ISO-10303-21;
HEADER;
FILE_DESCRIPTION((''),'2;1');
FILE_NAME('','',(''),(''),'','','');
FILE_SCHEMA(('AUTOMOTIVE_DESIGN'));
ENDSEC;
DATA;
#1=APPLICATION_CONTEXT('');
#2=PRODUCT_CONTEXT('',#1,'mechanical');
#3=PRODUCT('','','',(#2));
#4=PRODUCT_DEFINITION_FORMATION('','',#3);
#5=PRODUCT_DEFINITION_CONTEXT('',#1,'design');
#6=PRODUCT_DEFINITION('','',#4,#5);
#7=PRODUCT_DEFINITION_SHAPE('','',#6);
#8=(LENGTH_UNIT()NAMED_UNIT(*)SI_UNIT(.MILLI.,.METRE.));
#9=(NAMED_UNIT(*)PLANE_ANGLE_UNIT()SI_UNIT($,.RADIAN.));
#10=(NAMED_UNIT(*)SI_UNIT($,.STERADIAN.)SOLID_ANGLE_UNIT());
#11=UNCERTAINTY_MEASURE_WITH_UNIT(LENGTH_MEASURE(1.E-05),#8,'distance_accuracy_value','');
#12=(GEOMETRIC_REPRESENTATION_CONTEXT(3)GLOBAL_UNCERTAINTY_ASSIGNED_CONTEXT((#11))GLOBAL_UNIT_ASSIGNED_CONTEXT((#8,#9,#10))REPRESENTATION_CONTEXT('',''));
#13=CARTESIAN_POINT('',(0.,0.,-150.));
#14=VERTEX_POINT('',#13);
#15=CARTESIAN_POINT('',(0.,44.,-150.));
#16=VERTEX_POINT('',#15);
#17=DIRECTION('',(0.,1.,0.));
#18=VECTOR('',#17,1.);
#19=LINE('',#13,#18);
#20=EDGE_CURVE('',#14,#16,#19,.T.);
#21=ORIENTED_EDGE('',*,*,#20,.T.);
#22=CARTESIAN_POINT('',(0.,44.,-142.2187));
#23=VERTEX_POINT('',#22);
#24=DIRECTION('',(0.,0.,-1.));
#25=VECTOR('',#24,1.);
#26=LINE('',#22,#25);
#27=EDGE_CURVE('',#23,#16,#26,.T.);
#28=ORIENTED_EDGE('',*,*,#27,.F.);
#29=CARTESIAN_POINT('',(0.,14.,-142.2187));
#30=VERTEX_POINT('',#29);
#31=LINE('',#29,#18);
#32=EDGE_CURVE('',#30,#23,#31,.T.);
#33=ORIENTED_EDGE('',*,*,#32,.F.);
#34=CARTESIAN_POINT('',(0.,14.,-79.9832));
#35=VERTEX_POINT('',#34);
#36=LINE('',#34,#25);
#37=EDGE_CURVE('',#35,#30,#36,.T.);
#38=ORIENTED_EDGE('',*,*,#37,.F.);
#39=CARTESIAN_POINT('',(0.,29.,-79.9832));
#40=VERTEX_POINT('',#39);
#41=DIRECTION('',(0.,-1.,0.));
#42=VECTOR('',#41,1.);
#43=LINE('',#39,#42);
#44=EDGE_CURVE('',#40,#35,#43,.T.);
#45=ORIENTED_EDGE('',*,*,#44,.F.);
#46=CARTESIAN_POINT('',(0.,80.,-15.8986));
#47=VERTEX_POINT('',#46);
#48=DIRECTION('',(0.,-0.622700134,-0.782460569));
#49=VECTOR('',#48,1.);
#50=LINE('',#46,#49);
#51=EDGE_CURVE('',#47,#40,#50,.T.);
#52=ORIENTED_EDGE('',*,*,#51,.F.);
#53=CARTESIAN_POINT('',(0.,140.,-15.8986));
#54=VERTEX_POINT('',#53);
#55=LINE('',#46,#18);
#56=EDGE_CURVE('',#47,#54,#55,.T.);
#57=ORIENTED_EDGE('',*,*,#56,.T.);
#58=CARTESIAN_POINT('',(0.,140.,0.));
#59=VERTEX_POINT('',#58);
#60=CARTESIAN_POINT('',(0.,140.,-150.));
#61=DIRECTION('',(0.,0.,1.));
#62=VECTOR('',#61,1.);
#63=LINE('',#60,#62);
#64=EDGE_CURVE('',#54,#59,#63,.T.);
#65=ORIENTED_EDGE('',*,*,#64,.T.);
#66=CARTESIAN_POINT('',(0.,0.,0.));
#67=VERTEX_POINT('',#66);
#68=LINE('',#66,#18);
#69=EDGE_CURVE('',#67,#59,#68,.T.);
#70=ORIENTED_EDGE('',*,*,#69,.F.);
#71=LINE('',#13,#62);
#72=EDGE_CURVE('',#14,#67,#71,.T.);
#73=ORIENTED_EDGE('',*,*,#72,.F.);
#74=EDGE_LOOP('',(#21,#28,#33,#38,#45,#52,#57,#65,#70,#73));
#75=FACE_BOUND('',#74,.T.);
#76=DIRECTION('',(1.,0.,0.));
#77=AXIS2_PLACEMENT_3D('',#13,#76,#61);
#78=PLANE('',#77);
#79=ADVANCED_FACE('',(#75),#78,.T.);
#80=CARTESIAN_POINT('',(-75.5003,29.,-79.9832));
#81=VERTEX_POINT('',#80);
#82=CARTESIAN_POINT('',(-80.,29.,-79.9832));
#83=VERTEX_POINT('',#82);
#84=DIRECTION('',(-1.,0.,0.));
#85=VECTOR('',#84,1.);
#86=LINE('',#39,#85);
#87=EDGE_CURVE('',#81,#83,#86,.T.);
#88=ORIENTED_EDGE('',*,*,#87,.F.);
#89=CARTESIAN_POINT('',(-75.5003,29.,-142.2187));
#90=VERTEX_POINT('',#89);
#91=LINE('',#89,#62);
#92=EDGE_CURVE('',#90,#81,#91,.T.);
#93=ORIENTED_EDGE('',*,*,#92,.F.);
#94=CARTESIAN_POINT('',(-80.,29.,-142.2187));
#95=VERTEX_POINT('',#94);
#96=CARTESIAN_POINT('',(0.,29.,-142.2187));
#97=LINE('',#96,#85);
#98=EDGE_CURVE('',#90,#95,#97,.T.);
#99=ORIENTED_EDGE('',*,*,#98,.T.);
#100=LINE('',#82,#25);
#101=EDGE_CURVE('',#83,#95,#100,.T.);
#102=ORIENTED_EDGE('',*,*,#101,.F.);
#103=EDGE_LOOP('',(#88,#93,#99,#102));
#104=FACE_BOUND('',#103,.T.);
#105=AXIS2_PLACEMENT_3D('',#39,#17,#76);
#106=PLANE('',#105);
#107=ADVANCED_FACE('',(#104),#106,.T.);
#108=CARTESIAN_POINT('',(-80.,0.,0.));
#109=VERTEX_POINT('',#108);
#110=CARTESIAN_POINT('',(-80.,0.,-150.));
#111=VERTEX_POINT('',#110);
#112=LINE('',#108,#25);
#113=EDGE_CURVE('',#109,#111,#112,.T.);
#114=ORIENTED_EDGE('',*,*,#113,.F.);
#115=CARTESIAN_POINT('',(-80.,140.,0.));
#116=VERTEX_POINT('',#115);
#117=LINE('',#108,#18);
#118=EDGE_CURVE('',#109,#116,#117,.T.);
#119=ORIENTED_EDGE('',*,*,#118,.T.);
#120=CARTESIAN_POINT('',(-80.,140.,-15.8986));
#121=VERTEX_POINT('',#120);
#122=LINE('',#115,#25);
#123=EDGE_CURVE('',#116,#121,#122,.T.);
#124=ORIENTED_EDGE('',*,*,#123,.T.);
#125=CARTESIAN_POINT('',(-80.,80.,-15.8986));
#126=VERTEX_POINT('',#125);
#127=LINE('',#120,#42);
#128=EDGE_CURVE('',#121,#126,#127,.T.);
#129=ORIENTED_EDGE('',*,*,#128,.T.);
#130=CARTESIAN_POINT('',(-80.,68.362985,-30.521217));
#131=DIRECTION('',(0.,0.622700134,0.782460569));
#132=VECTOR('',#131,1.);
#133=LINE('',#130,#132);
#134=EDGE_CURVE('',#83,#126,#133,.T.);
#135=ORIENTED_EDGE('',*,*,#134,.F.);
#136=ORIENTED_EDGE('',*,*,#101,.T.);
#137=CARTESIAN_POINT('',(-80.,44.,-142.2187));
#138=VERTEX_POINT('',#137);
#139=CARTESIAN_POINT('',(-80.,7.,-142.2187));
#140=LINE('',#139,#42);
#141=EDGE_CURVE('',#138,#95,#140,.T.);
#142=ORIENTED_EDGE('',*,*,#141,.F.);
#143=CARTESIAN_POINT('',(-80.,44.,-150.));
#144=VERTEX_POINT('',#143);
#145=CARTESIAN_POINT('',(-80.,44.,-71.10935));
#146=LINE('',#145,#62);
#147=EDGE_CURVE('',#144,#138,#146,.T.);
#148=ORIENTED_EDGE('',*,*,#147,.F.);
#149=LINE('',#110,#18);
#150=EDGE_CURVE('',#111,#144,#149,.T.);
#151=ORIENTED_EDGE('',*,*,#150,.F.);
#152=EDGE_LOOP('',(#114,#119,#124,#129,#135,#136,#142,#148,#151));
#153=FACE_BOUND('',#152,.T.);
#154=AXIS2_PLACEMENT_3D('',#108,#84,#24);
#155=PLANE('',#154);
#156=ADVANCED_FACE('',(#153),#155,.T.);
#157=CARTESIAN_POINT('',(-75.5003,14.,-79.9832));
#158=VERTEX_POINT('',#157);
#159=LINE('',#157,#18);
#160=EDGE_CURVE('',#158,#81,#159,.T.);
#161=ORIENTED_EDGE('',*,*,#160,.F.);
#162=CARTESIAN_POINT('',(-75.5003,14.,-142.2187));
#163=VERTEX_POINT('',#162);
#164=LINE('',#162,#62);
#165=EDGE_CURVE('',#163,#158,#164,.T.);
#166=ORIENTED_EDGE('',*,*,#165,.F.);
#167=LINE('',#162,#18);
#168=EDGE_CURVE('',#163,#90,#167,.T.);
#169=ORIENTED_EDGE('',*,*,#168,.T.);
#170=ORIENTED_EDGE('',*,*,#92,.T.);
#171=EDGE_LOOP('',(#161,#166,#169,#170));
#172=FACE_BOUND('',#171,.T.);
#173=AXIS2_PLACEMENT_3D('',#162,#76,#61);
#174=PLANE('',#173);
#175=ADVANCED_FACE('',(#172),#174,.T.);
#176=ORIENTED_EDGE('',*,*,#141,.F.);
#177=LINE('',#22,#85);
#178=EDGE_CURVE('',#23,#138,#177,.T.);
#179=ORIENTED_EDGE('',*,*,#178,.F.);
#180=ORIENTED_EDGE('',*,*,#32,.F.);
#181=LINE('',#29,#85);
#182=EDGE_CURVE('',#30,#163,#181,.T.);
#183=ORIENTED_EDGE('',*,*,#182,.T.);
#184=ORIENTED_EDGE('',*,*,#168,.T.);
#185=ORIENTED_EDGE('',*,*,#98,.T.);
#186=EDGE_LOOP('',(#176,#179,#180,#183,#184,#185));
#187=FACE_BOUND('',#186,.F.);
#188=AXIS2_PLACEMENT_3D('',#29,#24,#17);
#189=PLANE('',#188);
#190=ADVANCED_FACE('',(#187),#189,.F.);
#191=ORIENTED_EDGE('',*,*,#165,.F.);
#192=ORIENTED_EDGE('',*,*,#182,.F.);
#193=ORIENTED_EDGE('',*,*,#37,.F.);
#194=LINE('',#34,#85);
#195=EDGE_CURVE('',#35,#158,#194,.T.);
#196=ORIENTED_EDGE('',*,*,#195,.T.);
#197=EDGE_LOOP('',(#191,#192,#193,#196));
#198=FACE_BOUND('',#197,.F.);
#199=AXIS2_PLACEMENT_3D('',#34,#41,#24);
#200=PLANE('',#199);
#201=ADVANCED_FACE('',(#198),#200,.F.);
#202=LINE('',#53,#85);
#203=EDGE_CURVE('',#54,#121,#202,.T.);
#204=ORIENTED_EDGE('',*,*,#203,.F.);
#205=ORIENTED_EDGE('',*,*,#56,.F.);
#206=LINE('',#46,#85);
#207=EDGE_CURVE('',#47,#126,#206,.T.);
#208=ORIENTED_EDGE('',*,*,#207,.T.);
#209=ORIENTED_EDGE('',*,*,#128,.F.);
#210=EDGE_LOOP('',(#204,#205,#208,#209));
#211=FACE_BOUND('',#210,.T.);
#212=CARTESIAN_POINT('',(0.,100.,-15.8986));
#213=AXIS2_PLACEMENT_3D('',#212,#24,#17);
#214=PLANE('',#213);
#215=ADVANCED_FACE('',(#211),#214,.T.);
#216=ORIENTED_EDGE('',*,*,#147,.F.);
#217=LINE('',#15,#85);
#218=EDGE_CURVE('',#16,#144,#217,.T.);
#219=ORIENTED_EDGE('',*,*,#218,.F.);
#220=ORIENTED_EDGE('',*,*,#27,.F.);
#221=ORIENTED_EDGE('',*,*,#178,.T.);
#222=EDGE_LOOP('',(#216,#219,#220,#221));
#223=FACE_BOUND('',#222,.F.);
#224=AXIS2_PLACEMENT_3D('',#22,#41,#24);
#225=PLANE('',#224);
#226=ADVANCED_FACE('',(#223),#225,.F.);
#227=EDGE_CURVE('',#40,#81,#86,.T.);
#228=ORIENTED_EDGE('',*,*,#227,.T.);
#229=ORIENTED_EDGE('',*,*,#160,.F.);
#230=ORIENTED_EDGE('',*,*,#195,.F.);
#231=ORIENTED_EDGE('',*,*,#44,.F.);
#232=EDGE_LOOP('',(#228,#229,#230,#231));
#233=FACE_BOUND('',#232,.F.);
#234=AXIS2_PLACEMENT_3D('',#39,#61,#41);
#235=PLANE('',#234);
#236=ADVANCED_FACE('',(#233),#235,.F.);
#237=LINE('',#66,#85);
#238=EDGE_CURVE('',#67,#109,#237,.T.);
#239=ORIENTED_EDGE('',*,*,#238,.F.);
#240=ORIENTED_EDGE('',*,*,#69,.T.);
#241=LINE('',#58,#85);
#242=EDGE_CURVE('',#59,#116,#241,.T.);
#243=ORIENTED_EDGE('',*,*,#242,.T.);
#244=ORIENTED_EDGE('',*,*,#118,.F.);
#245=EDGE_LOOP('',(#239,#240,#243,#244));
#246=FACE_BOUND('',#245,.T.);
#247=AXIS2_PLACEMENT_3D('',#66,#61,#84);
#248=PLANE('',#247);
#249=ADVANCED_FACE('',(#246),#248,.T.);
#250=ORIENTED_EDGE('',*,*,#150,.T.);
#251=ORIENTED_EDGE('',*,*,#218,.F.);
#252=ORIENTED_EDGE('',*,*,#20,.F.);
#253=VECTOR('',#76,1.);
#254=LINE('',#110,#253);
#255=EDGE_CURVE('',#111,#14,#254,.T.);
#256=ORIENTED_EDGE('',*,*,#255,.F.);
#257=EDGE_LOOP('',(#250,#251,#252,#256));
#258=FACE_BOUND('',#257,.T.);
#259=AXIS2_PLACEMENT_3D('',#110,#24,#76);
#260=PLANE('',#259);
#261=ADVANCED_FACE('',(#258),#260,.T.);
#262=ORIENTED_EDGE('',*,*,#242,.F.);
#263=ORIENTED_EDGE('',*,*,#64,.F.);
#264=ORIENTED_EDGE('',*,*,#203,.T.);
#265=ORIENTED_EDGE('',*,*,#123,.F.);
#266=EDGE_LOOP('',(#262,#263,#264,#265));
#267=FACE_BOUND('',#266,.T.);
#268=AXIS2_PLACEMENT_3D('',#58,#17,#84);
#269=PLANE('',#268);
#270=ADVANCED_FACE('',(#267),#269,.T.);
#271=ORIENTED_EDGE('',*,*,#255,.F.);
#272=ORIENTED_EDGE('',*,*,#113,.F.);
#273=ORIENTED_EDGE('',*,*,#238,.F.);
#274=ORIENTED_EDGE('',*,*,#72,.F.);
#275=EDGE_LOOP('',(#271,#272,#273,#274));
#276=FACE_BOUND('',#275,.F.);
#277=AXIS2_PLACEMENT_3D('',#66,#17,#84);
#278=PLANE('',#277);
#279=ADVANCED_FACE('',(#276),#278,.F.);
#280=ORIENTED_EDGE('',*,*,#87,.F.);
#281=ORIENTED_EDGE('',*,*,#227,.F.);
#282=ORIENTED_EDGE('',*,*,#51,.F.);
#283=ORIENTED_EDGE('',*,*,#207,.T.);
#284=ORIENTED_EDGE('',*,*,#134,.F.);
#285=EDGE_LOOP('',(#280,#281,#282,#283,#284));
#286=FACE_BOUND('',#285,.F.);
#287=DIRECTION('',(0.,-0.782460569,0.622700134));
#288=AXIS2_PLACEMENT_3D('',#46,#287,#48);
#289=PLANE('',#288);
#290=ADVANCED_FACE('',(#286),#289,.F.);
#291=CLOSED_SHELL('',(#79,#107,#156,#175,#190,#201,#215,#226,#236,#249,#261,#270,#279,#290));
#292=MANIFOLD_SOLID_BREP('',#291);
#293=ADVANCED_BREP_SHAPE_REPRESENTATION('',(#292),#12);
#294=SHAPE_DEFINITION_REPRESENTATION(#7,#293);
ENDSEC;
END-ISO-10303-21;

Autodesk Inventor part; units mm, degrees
ref_plane "YZ Plane" through (0, 0, 0) normal (1, 0, 0) x (0, 1, 0)
ref_plane "XZ Plane" through (0, 0, 0) normal (0, 1, 0) x (-1, 0, 0)
ref_plane "XY Plane" through (0, 0, 0) normal (0, 0, 1) x (1, 0, 0)
sketch "Sketch1" plane through (0, 0, 0) normal (0, 1, 0) x (-1, 0, 0)
  line L0 (0, 0) -> (80, 0)
  line L1 (80, 0) -> (80, -150)
  line L2 (80, -150) -> (0, -150)
  line L3 (0, -150) -> (0, 0)
  dimension "d0" = 80
  dimension "d1" = 150
extrude "Extrusion1" add sketch "Sketch1" along normal blind 140
sketch "Sketch2" plane through (0, 0, 0) normal (1, 0, 0) x (0, 0, -1)
  line L0 (150, 140) -> (0, 140) projected
  line L1 (15.8986, 80) -> (79.9832, 29)
  line L2 (79.9832, 29) -> (79.9832, 14)
  line L3 (79.9832, 14) -> (142.2187, 14)
  line L4 (142.2187, 14) -> (142.2187, 44)
  line L5 (142.2187, 44) -> (150, 44)
  line L6 (150, 0) -> (150, 140) projected
  line L7 (150, 44) -> (150, 140)
  line L8 (150, 140) -> (61.0962, 140)
  line L9 (15.8986, 100) -> (15.8986, 80)
  line L10 (0, 0) -> (150, 0) projected
  line L11 (61.0962, 140) -> (15.8986, 140)
  line L12 (15.8986, 100) -> (15.8986, 140)
  point P0 (146.1093, 44)
  point P1 (111.101, 14)
  dimension "d7" = 15
  dimension "d8" = 30
  dimension "d9" = 14
extrude "Extrusion2" cut sketch "Sketch2" against normal blind 140
sketch "Sketch6" plane through (0, 14, -79.9832) normal (0, 1, 0) x (1, 0, 0)
  line L0 (0, 62.2355) -> (-80, 62.2355) projected
  line L1 (0, 0) -> (-80, 0) projected
  line L2 (-80, 62.2355) -> (-75.5003, 62.2355)
  line L3 (-75.5003, 62.2355) -> (-75.5003, 0)
  line L4 (-75.5003, 0) -> (-80, 0)
  line L5 (-80, 0) -> (-80, 62.2355)
  point P0 (0, -79.9832)
extrude "Extrusion6" add sketch "Sketch6" along normal blind 15
properties part number "Left"
